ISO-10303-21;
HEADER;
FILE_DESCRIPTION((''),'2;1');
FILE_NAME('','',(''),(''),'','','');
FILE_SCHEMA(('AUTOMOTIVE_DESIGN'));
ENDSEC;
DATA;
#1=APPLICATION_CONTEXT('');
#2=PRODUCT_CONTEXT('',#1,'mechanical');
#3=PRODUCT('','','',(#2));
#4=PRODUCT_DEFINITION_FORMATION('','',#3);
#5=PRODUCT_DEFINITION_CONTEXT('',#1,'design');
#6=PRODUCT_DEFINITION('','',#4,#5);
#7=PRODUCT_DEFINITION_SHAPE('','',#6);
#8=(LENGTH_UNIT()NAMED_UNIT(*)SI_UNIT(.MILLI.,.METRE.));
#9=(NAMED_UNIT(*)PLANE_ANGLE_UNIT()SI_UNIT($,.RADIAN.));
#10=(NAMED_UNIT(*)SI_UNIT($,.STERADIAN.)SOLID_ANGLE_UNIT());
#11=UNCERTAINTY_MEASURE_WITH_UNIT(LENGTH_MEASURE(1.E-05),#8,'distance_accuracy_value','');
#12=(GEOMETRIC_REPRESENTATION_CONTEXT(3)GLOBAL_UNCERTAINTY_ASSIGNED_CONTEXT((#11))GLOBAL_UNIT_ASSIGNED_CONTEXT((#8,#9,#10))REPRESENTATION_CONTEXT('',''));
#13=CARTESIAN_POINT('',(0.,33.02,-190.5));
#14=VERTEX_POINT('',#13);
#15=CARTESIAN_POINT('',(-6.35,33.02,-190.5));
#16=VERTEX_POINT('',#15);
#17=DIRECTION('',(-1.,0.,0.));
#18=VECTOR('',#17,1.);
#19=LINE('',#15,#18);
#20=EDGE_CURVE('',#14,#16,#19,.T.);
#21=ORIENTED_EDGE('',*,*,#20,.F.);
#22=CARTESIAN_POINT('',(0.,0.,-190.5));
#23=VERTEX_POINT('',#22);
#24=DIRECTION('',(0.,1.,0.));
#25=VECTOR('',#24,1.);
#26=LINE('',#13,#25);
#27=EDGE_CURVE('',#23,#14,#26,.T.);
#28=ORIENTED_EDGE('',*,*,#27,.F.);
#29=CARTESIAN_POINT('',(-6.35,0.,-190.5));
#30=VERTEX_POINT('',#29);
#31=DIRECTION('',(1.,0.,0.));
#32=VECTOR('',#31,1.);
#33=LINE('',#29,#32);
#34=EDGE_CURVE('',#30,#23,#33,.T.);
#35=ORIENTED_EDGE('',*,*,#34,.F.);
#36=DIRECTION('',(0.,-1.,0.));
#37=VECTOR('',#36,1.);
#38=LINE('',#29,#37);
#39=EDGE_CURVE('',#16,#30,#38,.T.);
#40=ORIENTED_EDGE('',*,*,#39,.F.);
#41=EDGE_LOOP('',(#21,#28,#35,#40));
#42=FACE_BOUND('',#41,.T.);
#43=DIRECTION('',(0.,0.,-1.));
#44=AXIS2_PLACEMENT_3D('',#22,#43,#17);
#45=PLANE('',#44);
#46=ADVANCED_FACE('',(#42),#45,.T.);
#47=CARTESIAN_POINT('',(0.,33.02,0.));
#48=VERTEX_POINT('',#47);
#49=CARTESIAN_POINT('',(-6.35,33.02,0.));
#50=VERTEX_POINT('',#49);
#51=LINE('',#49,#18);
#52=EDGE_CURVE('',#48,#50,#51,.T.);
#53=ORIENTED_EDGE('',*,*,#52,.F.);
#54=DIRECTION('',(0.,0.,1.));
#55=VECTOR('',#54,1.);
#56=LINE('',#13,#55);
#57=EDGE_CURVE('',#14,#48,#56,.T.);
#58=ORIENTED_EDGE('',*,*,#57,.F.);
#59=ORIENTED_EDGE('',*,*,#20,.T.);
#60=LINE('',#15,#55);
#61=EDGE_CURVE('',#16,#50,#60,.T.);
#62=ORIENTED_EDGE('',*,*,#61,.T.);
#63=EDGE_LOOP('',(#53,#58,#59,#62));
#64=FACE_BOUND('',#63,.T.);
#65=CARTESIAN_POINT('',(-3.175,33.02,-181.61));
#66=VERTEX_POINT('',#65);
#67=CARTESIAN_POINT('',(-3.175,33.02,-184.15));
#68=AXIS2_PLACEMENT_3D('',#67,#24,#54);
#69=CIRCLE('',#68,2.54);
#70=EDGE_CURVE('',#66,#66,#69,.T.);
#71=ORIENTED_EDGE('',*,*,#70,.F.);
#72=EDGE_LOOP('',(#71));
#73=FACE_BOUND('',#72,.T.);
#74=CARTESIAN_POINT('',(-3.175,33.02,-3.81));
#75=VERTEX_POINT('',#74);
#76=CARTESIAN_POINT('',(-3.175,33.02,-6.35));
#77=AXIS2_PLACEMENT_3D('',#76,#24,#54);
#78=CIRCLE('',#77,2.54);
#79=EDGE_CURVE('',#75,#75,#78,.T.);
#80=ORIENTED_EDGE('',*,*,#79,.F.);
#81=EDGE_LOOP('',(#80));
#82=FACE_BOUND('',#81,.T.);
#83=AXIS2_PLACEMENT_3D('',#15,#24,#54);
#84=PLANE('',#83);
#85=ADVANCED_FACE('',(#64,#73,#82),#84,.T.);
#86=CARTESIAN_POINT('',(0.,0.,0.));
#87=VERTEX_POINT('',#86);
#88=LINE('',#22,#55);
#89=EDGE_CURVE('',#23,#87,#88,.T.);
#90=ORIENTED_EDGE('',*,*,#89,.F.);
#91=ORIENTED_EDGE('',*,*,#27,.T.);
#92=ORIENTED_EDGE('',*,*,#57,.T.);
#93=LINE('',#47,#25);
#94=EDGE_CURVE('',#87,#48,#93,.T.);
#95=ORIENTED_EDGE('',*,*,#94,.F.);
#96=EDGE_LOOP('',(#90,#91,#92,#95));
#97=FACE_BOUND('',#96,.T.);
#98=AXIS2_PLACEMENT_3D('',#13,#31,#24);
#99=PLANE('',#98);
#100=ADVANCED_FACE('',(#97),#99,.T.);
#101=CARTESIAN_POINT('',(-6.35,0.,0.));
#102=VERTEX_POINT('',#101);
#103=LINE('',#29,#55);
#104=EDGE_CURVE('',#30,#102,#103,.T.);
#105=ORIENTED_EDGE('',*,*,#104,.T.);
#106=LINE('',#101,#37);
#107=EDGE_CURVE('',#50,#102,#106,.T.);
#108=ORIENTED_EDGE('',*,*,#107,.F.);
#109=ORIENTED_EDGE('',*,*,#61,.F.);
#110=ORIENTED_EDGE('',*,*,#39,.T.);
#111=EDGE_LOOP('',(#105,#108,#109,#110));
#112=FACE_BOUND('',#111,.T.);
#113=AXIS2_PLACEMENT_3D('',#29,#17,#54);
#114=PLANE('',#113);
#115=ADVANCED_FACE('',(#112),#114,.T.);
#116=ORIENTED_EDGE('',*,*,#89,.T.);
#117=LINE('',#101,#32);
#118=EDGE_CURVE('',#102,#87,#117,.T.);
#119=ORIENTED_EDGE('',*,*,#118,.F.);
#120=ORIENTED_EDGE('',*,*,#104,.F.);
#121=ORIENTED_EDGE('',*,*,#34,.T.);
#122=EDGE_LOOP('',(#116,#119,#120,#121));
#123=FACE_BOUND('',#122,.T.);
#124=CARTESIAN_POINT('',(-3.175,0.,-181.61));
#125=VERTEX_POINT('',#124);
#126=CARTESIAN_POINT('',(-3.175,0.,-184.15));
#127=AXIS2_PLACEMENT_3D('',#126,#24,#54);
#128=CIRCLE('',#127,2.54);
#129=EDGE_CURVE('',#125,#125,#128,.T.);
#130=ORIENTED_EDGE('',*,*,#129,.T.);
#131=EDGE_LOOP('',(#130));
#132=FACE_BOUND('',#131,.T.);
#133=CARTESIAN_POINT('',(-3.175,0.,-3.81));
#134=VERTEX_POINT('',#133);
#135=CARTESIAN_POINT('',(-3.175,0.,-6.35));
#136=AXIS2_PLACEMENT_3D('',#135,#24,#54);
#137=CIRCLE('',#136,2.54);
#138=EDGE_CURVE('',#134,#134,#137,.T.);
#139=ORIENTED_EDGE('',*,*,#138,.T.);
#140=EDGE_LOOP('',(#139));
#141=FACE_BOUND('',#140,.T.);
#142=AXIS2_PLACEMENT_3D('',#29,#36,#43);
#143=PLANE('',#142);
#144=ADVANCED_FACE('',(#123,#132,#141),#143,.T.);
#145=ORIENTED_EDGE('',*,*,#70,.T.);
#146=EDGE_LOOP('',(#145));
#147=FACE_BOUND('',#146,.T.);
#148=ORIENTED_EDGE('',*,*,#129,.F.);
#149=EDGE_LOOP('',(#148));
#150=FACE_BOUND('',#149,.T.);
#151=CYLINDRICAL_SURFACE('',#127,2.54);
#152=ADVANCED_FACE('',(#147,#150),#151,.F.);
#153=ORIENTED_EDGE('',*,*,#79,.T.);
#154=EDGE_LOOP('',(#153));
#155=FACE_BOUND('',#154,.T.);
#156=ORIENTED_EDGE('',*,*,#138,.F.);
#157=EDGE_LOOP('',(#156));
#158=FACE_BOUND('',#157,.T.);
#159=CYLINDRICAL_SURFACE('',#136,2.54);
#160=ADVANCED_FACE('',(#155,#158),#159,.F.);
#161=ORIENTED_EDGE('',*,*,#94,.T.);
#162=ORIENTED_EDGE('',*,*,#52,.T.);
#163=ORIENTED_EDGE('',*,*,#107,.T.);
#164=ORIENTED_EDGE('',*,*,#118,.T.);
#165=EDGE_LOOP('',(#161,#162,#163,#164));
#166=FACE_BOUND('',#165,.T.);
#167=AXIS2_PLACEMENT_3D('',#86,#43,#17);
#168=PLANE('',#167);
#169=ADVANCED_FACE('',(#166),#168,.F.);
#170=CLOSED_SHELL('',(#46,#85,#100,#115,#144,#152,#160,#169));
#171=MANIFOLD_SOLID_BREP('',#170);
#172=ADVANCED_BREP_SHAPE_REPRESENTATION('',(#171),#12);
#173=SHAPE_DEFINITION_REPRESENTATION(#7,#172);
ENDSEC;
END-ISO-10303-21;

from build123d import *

# Parameters (mm, degrees)
SKETCH1_W           = 6.35
SKETCH1_H           = 33.02
BOSS_EXTRUDE1_DEPTH = 190.5
SKETCH3_R           = 2.54
CUT_EXTRUDE2_DEPTH  = 194.444805823


with BuildPart() as part:
    # Sketch1 → Boss-Extrude1 (new body)
    with BuildSketch(Plane.XY):
        with Locations((-3.175, 16.51)):
            Rectangle(SKETCH1_W, SKETCH1_H)
    extrude(amount=-BOSS_EXTRUDE1_DEPTH)

    # Sketch3 → Cut-Extrude2 (cut, through all)
    with BuildSketch(Plane(origin=(0, 33.02, 0), x_dir=(1, 0, 0), z_dir=(0, 1, 0))):
        with Locations(Location((-3.175, 6.35, 0), (0, 0, 270))):
            Circle(SKETCH3_R)
        with Locations(Location((-3.175, 184.15, 0), (0, 0, 270))):
            Circle(SKETCH3_R)
    extrude(amount=-CUT_EXTRUDE2_DEPTH, mode=Mode.SUBTRACT)


solid = part.part
